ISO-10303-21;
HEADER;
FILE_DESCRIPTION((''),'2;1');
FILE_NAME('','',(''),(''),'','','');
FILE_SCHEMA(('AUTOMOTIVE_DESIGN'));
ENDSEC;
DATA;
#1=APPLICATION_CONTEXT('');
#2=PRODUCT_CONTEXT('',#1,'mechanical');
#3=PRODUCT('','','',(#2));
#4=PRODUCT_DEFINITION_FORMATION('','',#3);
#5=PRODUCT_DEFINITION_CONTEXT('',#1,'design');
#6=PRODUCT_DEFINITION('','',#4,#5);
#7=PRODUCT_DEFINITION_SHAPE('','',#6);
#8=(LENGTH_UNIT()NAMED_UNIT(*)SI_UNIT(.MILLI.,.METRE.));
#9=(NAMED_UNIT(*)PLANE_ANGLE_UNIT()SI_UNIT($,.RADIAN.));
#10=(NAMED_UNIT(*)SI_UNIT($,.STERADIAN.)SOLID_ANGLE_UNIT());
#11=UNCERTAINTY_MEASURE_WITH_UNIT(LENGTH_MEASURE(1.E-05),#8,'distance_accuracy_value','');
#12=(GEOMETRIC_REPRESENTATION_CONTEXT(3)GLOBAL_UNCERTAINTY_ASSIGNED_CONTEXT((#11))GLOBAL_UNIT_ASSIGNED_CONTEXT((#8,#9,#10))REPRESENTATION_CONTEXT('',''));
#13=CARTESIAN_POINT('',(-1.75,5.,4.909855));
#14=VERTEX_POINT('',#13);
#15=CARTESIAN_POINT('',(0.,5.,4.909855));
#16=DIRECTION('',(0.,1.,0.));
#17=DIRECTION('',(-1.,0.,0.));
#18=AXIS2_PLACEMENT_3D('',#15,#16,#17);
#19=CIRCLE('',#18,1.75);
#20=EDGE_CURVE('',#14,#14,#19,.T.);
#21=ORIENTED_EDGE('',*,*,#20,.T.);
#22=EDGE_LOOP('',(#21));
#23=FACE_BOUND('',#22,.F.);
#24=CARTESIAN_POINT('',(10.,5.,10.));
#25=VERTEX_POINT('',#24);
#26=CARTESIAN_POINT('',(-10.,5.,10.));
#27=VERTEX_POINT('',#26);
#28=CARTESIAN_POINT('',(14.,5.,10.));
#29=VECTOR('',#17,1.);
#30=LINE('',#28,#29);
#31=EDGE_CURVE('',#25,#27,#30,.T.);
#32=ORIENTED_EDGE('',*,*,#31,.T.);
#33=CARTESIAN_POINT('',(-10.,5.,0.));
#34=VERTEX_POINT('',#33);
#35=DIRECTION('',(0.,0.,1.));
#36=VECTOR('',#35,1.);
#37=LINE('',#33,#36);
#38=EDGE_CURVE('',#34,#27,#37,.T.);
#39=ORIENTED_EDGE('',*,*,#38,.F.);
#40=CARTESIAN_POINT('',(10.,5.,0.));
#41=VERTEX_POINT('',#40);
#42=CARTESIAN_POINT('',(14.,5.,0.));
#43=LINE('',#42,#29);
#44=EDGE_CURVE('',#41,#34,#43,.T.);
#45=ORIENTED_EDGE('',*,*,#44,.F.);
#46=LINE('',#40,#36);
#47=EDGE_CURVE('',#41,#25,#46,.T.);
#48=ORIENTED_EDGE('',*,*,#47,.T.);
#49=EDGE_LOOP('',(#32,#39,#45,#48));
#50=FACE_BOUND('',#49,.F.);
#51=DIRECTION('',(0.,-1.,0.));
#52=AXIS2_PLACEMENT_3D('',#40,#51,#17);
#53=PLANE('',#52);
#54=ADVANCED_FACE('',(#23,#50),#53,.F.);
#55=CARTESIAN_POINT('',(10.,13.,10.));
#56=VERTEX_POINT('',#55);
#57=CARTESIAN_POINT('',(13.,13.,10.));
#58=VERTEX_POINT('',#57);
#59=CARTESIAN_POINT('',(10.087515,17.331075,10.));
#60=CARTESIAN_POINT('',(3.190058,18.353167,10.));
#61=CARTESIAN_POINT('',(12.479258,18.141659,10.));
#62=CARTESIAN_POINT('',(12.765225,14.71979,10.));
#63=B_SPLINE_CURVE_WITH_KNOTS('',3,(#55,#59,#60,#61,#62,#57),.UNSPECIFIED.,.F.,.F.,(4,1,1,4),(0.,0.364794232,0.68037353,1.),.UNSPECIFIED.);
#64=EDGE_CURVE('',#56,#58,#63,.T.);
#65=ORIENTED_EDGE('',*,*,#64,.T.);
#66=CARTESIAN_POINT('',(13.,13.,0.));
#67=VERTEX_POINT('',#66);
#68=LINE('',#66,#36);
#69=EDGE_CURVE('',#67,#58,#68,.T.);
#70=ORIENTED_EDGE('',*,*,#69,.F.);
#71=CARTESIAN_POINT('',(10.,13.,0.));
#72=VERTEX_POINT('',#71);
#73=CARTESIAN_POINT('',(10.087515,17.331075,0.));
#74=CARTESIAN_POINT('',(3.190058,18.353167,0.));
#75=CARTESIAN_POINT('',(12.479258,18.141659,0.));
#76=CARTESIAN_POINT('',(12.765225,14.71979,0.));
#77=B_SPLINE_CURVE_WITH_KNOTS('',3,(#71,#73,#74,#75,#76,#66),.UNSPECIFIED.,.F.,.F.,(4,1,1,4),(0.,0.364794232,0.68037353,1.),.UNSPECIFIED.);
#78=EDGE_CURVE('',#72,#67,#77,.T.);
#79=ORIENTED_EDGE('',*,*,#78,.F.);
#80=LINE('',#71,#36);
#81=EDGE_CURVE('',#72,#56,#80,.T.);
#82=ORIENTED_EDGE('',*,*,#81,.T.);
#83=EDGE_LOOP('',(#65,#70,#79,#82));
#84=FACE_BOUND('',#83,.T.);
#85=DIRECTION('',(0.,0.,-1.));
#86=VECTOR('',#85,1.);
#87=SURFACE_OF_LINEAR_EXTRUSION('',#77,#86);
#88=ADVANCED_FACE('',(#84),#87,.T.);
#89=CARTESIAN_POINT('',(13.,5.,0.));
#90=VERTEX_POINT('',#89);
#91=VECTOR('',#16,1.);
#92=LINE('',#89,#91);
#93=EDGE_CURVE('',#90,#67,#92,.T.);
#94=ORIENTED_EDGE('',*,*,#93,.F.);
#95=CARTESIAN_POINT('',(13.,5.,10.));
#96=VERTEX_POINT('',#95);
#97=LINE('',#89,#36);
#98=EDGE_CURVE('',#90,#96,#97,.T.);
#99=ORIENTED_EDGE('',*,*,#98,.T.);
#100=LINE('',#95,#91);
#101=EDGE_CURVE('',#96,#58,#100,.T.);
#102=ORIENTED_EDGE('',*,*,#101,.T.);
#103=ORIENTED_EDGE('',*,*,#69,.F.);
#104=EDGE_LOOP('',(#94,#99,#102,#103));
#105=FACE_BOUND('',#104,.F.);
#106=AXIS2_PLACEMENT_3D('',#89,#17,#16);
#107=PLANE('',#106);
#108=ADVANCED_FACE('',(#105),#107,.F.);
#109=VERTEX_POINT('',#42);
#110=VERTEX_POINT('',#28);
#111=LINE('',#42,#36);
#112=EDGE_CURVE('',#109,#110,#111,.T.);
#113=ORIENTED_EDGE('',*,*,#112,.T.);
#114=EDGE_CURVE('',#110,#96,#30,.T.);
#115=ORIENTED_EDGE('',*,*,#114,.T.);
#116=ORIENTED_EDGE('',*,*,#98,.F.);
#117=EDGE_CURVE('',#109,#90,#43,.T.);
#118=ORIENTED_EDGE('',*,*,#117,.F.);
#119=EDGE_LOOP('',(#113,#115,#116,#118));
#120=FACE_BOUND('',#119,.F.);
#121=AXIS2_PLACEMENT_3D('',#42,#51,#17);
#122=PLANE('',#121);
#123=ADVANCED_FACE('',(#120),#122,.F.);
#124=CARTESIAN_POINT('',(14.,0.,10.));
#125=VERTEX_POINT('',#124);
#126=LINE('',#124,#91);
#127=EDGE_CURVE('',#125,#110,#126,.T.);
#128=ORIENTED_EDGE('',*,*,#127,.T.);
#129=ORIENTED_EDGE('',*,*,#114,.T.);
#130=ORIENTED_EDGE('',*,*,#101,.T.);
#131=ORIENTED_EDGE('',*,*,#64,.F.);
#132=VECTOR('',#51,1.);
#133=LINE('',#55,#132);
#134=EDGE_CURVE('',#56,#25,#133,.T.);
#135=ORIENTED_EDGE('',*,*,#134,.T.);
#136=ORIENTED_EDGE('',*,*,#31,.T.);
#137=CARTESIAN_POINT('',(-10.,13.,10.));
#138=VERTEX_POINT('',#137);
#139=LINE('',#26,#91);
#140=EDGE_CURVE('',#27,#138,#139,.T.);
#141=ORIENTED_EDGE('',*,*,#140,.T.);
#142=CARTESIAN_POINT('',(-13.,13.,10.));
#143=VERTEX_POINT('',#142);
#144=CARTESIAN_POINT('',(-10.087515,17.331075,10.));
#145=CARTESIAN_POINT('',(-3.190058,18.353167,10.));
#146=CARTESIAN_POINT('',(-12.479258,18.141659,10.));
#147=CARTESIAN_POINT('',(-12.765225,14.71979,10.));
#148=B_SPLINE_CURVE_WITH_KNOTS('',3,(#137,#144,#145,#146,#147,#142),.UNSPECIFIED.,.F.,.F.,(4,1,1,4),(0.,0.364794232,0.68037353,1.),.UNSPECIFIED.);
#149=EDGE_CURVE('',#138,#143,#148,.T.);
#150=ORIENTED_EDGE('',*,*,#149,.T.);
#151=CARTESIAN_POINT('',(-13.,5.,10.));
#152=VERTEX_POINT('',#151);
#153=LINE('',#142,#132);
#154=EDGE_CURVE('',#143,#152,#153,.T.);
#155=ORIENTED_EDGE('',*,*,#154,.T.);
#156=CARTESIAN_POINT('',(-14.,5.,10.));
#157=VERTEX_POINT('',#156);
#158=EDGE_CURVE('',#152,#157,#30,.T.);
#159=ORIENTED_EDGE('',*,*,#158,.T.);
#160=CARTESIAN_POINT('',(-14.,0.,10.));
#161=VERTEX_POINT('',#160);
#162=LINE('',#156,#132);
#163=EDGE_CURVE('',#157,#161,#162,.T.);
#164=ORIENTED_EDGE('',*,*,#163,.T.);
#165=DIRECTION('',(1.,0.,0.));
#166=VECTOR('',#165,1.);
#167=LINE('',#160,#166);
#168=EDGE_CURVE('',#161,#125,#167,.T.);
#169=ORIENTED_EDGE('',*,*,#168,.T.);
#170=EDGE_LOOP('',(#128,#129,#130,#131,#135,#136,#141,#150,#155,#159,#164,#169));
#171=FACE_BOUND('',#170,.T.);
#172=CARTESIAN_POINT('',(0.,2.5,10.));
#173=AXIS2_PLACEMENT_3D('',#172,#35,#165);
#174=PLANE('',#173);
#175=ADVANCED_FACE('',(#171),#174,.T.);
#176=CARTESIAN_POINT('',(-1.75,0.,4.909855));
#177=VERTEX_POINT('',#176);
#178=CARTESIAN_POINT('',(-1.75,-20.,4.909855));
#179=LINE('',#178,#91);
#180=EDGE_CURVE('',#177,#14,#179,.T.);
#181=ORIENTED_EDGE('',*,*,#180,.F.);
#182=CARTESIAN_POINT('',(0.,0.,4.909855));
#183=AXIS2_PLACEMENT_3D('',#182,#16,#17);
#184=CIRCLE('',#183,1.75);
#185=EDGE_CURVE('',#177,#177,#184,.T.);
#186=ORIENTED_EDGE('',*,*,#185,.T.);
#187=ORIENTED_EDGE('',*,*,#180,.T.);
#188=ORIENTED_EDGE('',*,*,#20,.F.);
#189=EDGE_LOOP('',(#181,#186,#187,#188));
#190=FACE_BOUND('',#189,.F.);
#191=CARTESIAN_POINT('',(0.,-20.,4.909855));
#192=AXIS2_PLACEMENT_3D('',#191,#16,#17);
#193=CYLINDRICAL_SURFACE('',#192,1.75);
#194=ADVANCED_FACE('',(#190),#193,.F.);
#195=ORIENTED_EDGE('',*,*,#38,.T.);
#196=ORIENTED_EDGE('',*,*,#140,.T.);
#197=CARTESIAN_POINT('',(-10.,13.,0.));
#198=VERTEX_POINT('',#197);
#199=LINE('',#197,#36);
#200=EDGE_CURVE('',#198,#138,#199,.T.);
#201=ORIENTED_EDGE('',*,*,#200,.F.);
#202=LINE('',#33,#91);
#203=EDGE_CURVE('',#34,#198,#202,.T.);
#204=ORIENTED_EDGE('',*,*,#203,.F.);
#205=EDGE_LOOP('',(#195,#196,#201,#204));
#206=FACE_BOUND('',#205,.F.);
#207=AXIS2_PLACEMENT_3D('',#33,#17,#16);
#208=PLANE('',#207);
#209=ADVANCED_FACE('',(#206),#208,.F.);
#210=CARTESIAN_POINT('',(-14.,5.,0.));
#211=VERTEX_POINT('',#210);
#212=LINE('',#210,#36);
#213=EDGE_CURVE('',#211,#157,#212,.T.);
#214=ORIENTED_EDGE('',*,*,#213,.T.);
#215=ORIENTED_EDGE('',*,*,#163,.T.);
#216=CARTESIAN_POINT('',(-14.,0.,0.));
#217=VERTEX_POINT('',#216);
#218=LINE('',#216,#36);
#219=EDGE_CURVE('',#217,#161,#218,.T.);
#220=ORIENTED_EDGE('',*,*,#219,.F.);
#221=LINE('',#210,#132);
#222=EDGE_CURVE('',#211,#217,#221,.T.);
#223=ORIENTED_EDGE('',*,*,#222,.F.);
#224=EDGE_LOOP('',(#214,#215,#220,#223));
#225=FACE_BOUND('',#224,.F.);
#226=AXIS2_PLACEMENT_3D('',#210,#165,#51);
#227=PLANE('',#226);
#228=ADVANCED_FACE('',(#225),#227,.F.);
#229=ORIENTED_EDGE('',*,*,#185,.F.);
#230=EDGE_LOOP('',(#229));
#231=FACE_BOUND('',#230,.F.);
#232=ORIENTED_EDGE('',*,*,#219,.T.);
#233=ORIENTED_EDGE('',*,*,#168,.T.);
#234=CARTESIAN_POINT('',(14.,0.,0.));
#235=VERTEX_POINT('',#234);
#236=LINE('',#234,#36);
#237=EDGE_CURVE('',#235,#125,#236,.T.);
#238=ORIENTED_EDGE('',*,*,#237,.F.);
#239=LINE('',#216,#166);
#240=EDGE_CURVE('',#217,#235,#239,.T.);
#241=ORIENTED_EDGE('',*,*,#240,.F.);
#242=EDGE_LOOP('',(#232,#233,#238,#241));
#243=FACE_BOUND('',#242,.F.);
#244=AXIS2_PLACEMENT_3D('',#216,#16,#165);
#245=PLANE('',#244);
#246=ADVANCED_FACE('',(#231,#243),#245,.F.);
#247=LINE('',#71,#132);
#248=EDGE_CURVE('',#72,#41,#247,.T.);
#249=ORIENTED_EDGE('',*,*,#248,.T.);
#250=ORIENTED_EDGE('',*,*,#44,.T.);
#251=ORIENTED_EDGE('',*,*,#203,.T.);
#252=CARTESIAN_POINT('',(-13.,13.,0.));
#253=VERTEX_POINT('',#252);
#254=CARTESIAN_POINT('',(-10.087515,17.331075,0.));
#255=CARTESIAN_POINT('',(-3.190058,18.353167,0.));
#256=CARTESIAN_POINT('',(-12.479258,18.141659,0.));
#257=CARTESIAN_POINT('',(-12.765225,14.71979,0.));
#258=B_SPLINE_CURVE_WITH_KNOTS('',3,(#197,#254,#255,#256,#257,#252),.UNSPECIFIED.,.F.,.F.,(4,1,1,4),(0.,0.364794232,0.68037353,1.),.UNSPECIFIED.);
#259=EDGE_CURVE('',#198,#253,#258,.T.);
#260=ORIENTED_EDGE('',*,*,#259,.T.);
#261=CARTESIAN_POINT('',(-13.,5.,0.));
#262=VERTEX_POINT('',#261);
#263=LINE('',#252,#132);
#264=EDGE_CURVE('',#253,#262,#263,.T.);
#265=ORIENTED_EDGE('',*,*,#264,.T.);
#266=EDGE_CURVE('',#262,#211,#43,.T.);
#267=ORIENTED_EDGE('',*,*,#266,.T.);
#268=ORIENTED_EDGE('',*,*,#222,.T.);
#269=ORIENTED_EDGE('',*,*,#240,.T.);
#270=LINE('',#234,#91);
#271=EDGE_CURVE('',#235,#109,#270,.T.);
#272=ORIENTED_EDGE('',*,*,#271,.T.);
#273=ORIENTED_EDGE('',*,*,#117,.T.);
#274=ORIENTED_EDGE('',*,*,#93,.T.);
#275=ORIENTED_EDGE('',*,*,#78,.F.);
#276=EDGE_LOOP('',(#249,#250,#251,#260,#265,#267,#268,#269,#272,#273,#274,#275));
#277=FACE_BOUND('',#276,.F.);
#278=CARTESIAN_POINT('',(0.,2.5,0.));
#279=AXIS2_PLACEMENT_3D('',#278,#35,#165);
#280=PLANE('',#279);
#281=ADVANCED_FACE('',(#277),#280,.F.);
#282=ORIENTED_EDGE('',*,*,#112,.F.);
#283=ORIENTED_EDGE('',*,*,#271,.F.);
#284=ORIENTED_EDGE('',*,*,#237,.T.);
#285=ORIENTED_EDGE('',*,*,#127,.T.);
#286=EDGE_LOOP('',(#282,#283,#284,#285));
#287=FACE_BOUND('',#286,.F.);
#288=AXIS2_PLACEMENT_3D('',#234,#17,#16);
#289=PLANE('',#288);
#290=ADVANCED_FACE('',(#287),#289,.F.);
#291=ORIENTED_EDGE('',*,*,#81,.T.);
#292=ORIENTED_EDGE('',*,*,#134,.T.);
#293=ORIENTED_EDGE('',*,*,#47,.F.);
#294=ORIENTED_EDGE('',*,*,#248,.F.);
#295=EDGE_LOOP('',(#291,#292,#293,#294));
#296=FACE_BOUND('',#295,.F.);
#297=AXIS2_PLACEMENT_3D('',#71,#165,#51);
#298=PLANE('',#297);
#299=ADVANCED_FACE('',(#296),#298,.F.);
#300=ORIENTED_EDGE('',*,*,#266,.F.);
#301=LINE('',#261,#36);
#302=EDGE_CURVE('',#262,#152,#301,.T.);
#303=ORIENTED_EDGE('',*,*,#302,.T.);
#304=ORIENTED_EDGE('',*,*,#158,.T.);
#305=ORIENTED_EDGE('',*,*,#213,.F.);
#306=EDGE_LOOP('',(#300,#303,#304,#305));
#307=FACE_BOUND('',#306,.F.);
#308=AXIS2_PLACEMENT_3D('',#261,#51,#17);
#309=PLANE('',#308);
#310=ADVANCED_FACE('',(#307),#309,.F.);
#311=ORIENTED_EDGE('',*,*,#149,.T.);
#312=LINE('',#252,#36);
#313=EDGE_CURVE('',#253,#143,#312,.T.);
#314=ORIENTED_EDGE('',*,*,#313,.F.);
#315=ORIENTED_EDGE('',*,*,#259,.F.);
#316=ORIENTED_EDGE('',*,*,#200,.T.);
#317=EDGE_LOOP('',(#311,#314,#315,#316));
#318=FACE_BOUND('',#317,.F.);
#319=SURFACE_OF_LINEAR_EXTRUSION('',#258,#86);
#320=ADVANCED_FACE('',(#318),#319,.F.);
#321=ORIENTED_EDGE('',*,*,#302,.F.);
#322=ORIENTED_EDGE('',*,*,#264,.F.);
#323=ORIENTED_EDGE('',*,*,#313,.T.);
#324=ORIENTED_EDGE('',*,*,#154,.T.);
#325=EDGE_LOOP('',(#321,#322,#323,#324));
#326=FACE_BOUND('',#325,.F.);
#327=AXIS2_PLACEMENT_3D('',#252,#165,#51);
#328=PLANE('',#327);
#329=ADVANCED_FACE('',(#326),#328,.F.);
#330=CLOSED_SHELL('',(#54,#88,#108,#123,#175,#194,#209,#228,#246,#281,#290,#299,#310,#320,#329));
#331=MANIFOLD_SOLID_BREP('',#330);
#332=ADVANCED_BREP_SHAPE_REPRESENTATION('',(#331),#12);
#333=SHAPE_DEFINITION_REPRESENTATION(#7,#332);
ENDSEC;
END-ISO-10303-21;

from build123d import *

# Parameters (mm, degrees)
F1_DEPTH = 10
F3_D     = 3.5
F3_DEPTH = 20
F3_TIP   = 1.0515060833


with BuildPart() as f1:
    # F0 (on Top) → F1 (new body)
    with BuildSketch(Plane.XY):
        Polygon((0, 0), (14, 0), (14, 5), (13, 5), (10, 5), (-10, 5), (-13, 5), (-14, 5), (-14, 0), align=None)
        with BuildLine():
            Line((10, 5), (13, 5))
            Line((13, 5), (13, 13))
            add(Edge.make_bspline(
                [(10, 13), (10.0875152242, 17.3310754155), (3.1900581528, 18.3531665627), (12.4792576098, 18.1416594137), (12.7652252364, 14.7197898641), (13, 13)],
                knots=[0, 0, 0, 0, 0.3647942323, 0.6803735299, 1, 1, 1, 1], degree=3))
            Line((10, 13), (10, 5))
        make_face()
        with BuildLine():
            Line((-13, 5), (-10, 5))
            Line((-10, 5), (-10, 13))
            add(Edge.make_bspline(
                [(-10, 13), (-10.0875152242, 17.3310754155), (-3.1900581528, 18.3531665627), (-12.4792576098, 18.1416594137), (-12.7652252364, 14.7197898641), (-13, 13)],
                knots=[0, 0, 0, 0, 0.3647942323, 0.6803735299, 1, 1, 1, 1], degree=3))
            Line((-13, 13), (-13, 5))
        make_face()
    extrude(amount=F1_DEPTH)

    # F3
    with Locations(Plane.XZ):
        with Locations((0, 4.9098548479)):
            Hole(F3_D / 2, depth=F3_DEPTH)
            with Locations((0, 0, -(F3_DEPTH + F3_TIP / 2))):  # 118° drill point
                Cone(0, F3_D / 2, F3_TIP, mode=Mode.SUBTRACT)


solid = f1.part
